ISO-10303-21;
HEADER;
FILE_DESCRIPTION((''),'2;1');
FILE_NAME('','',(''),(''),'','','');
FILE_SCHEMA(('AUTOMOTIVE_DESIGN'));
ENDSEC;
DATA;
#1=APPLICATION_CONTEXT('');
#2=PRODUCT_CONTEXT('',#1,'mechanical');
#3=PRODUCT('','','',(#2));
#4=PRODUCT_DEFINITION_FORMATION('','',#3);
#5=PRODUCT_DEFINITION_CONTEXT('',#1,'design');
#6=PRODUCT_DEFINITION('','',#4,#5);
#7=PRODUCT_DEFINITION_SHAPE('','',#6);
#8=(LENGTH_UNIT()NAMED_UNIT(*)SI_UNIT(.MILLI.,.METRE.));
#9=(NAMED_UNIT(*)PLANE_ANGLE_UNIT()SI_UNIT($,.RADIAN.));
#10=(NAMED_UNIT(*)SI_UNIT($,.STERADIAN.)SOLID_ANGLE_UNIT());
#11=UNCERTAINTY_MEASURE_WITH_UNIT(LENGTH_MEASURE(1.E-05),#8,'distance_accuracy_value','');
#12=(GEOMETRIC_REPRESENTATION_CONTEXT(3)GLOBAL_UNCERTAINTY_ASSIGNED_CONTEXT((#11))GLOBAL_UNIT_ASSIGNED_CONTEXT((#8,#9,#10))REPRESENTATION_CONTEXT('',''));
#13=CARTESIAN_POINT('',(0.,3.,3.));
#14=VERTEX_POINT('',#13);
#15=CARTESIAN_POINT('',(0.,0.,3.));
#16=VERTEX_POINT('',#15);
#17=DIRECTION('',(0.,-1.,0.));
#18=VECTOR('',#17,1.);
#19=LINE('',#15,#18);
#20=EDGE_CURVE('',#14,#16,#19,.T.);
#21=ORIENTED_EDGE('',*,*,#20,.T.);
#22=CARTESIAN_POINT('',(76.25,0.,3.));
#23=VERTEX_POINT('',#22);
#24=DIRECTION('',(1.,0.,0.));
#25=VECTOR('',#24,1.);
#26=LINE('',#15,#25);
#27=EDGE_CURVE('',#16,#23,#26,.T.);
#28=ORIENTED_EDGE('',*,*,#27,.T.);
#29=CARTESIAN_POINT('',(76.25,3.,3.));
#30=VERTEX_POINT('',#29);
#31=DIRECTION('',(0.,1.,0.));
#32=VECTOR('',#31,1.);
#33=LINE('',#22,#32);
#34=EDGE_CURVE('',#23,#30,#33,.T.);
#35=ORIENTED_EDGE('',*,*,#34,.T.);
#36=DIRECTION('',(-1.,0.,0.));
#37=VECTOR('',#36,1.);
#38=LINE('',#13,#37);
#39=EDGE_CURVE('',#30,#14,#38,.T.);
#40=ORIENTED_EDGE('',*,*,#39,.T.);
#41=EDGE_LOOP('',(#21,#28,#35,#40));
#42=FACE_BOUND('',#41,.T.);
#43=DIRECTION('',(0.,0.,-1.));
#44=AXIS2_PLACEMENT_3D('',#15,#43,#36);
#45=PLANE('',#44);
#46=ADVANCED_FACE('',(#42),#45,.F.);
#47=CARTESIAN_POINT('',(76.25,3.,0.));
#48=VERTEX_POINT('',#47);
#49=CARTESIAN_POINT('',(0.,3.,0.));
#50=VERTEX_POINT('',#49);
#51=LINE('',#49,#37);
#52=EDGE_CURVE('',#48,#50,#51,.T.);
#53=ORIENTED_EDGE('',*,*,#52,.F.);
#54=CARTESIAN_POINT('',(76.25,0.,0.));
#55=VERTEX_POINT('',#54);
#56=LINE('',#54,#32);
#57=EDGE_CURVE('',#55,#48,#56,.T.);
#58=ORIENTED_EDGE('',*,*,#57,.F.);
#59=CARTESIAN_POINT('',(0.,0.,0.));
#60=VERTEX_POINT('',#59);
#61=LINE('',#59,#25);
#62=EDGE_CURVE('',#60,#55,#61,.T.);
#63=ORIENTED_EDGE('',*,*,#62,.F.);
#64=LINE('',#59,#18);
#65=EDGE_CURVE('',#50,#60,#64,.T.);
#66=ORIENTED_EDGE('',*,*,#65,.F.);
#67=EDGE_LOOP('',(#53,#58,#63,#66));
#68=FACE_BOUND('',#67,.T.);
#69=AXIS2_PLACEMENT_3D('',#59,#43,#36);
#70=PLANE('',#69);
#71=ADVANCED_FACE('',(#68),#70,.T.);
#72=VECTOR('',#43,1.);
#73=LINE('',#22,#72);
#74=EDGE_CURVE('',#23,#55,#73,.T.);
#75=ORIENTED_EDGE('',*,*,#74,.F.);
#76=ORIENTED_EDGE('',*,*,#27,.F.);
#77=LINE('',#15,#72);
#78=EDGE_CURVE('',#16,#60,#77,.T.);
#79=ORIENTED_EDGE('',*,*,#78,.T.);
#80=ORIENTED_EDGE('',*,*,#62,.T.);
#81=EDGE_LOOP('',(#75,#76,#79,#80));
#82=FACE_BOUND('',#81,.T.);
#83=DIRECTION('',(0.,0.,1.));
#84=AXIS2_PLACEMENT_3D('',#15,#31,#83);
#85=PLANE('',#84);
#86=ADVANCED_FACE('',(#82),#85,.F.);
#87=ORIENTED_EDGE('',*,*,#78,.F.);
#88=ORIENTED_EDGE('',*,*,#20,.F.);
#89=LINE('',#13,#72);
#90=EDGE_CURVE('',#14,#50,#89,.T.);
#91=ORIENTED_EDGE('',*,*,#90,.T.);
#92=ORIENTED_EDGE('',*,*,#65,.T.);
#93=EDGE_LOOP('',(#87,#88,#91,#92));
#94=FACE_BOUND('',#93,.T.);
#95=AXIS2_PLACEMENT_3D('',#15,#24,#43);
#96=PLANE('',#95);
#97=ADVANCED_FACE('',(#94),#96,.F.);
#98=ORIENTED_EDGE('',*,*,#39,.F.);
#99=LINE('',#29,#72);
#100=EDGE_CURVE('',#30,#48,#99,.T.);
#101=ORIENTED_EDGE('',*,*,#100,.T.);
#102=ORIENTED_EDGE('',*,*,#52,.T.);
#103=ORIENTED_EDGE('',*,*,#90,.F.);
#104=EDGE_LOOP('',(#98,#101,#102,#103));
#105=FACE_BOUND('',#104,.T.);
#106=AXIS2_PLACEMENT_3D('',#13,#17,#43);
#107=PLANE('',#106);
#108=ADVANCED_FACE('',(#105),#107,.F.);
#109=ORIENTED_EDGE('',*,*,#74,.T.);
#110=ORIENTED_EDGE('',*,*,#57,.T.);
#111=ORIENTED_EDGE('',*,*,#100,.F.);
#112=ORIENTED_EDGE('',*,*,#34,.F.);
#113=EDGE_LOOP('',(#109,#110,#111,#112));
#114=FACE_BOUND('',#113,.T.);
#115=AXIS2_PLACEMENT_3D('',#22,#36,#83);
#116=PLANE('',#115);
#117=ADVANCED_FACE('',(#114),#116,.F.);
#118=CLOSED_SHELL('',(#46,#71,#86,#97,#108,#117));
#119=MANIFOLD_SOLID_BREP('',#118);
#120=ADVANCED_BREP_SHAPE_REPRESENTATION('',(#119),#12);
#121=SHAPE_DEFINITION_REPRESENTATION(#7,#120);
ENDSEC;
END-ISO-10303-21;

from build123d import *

# Parameters (mm, degrees)
SKETCH1_W           = 76.25
SKETCH1_H           = 3
BOSS_EXTRUDE1_DEPTH = 3


with BuildPart() as part:
    # Sketch1 → Boss-Extrude1 (new body)
    with BuildSketch(Plane.XY):
        with Locations((38.125, 1.5)):
            Rectangle(SKETCH1_W, SKETCH1_H)
    extrude(amount=BOSS_EXTRUDE1_DEPTH)


solid = part.part
